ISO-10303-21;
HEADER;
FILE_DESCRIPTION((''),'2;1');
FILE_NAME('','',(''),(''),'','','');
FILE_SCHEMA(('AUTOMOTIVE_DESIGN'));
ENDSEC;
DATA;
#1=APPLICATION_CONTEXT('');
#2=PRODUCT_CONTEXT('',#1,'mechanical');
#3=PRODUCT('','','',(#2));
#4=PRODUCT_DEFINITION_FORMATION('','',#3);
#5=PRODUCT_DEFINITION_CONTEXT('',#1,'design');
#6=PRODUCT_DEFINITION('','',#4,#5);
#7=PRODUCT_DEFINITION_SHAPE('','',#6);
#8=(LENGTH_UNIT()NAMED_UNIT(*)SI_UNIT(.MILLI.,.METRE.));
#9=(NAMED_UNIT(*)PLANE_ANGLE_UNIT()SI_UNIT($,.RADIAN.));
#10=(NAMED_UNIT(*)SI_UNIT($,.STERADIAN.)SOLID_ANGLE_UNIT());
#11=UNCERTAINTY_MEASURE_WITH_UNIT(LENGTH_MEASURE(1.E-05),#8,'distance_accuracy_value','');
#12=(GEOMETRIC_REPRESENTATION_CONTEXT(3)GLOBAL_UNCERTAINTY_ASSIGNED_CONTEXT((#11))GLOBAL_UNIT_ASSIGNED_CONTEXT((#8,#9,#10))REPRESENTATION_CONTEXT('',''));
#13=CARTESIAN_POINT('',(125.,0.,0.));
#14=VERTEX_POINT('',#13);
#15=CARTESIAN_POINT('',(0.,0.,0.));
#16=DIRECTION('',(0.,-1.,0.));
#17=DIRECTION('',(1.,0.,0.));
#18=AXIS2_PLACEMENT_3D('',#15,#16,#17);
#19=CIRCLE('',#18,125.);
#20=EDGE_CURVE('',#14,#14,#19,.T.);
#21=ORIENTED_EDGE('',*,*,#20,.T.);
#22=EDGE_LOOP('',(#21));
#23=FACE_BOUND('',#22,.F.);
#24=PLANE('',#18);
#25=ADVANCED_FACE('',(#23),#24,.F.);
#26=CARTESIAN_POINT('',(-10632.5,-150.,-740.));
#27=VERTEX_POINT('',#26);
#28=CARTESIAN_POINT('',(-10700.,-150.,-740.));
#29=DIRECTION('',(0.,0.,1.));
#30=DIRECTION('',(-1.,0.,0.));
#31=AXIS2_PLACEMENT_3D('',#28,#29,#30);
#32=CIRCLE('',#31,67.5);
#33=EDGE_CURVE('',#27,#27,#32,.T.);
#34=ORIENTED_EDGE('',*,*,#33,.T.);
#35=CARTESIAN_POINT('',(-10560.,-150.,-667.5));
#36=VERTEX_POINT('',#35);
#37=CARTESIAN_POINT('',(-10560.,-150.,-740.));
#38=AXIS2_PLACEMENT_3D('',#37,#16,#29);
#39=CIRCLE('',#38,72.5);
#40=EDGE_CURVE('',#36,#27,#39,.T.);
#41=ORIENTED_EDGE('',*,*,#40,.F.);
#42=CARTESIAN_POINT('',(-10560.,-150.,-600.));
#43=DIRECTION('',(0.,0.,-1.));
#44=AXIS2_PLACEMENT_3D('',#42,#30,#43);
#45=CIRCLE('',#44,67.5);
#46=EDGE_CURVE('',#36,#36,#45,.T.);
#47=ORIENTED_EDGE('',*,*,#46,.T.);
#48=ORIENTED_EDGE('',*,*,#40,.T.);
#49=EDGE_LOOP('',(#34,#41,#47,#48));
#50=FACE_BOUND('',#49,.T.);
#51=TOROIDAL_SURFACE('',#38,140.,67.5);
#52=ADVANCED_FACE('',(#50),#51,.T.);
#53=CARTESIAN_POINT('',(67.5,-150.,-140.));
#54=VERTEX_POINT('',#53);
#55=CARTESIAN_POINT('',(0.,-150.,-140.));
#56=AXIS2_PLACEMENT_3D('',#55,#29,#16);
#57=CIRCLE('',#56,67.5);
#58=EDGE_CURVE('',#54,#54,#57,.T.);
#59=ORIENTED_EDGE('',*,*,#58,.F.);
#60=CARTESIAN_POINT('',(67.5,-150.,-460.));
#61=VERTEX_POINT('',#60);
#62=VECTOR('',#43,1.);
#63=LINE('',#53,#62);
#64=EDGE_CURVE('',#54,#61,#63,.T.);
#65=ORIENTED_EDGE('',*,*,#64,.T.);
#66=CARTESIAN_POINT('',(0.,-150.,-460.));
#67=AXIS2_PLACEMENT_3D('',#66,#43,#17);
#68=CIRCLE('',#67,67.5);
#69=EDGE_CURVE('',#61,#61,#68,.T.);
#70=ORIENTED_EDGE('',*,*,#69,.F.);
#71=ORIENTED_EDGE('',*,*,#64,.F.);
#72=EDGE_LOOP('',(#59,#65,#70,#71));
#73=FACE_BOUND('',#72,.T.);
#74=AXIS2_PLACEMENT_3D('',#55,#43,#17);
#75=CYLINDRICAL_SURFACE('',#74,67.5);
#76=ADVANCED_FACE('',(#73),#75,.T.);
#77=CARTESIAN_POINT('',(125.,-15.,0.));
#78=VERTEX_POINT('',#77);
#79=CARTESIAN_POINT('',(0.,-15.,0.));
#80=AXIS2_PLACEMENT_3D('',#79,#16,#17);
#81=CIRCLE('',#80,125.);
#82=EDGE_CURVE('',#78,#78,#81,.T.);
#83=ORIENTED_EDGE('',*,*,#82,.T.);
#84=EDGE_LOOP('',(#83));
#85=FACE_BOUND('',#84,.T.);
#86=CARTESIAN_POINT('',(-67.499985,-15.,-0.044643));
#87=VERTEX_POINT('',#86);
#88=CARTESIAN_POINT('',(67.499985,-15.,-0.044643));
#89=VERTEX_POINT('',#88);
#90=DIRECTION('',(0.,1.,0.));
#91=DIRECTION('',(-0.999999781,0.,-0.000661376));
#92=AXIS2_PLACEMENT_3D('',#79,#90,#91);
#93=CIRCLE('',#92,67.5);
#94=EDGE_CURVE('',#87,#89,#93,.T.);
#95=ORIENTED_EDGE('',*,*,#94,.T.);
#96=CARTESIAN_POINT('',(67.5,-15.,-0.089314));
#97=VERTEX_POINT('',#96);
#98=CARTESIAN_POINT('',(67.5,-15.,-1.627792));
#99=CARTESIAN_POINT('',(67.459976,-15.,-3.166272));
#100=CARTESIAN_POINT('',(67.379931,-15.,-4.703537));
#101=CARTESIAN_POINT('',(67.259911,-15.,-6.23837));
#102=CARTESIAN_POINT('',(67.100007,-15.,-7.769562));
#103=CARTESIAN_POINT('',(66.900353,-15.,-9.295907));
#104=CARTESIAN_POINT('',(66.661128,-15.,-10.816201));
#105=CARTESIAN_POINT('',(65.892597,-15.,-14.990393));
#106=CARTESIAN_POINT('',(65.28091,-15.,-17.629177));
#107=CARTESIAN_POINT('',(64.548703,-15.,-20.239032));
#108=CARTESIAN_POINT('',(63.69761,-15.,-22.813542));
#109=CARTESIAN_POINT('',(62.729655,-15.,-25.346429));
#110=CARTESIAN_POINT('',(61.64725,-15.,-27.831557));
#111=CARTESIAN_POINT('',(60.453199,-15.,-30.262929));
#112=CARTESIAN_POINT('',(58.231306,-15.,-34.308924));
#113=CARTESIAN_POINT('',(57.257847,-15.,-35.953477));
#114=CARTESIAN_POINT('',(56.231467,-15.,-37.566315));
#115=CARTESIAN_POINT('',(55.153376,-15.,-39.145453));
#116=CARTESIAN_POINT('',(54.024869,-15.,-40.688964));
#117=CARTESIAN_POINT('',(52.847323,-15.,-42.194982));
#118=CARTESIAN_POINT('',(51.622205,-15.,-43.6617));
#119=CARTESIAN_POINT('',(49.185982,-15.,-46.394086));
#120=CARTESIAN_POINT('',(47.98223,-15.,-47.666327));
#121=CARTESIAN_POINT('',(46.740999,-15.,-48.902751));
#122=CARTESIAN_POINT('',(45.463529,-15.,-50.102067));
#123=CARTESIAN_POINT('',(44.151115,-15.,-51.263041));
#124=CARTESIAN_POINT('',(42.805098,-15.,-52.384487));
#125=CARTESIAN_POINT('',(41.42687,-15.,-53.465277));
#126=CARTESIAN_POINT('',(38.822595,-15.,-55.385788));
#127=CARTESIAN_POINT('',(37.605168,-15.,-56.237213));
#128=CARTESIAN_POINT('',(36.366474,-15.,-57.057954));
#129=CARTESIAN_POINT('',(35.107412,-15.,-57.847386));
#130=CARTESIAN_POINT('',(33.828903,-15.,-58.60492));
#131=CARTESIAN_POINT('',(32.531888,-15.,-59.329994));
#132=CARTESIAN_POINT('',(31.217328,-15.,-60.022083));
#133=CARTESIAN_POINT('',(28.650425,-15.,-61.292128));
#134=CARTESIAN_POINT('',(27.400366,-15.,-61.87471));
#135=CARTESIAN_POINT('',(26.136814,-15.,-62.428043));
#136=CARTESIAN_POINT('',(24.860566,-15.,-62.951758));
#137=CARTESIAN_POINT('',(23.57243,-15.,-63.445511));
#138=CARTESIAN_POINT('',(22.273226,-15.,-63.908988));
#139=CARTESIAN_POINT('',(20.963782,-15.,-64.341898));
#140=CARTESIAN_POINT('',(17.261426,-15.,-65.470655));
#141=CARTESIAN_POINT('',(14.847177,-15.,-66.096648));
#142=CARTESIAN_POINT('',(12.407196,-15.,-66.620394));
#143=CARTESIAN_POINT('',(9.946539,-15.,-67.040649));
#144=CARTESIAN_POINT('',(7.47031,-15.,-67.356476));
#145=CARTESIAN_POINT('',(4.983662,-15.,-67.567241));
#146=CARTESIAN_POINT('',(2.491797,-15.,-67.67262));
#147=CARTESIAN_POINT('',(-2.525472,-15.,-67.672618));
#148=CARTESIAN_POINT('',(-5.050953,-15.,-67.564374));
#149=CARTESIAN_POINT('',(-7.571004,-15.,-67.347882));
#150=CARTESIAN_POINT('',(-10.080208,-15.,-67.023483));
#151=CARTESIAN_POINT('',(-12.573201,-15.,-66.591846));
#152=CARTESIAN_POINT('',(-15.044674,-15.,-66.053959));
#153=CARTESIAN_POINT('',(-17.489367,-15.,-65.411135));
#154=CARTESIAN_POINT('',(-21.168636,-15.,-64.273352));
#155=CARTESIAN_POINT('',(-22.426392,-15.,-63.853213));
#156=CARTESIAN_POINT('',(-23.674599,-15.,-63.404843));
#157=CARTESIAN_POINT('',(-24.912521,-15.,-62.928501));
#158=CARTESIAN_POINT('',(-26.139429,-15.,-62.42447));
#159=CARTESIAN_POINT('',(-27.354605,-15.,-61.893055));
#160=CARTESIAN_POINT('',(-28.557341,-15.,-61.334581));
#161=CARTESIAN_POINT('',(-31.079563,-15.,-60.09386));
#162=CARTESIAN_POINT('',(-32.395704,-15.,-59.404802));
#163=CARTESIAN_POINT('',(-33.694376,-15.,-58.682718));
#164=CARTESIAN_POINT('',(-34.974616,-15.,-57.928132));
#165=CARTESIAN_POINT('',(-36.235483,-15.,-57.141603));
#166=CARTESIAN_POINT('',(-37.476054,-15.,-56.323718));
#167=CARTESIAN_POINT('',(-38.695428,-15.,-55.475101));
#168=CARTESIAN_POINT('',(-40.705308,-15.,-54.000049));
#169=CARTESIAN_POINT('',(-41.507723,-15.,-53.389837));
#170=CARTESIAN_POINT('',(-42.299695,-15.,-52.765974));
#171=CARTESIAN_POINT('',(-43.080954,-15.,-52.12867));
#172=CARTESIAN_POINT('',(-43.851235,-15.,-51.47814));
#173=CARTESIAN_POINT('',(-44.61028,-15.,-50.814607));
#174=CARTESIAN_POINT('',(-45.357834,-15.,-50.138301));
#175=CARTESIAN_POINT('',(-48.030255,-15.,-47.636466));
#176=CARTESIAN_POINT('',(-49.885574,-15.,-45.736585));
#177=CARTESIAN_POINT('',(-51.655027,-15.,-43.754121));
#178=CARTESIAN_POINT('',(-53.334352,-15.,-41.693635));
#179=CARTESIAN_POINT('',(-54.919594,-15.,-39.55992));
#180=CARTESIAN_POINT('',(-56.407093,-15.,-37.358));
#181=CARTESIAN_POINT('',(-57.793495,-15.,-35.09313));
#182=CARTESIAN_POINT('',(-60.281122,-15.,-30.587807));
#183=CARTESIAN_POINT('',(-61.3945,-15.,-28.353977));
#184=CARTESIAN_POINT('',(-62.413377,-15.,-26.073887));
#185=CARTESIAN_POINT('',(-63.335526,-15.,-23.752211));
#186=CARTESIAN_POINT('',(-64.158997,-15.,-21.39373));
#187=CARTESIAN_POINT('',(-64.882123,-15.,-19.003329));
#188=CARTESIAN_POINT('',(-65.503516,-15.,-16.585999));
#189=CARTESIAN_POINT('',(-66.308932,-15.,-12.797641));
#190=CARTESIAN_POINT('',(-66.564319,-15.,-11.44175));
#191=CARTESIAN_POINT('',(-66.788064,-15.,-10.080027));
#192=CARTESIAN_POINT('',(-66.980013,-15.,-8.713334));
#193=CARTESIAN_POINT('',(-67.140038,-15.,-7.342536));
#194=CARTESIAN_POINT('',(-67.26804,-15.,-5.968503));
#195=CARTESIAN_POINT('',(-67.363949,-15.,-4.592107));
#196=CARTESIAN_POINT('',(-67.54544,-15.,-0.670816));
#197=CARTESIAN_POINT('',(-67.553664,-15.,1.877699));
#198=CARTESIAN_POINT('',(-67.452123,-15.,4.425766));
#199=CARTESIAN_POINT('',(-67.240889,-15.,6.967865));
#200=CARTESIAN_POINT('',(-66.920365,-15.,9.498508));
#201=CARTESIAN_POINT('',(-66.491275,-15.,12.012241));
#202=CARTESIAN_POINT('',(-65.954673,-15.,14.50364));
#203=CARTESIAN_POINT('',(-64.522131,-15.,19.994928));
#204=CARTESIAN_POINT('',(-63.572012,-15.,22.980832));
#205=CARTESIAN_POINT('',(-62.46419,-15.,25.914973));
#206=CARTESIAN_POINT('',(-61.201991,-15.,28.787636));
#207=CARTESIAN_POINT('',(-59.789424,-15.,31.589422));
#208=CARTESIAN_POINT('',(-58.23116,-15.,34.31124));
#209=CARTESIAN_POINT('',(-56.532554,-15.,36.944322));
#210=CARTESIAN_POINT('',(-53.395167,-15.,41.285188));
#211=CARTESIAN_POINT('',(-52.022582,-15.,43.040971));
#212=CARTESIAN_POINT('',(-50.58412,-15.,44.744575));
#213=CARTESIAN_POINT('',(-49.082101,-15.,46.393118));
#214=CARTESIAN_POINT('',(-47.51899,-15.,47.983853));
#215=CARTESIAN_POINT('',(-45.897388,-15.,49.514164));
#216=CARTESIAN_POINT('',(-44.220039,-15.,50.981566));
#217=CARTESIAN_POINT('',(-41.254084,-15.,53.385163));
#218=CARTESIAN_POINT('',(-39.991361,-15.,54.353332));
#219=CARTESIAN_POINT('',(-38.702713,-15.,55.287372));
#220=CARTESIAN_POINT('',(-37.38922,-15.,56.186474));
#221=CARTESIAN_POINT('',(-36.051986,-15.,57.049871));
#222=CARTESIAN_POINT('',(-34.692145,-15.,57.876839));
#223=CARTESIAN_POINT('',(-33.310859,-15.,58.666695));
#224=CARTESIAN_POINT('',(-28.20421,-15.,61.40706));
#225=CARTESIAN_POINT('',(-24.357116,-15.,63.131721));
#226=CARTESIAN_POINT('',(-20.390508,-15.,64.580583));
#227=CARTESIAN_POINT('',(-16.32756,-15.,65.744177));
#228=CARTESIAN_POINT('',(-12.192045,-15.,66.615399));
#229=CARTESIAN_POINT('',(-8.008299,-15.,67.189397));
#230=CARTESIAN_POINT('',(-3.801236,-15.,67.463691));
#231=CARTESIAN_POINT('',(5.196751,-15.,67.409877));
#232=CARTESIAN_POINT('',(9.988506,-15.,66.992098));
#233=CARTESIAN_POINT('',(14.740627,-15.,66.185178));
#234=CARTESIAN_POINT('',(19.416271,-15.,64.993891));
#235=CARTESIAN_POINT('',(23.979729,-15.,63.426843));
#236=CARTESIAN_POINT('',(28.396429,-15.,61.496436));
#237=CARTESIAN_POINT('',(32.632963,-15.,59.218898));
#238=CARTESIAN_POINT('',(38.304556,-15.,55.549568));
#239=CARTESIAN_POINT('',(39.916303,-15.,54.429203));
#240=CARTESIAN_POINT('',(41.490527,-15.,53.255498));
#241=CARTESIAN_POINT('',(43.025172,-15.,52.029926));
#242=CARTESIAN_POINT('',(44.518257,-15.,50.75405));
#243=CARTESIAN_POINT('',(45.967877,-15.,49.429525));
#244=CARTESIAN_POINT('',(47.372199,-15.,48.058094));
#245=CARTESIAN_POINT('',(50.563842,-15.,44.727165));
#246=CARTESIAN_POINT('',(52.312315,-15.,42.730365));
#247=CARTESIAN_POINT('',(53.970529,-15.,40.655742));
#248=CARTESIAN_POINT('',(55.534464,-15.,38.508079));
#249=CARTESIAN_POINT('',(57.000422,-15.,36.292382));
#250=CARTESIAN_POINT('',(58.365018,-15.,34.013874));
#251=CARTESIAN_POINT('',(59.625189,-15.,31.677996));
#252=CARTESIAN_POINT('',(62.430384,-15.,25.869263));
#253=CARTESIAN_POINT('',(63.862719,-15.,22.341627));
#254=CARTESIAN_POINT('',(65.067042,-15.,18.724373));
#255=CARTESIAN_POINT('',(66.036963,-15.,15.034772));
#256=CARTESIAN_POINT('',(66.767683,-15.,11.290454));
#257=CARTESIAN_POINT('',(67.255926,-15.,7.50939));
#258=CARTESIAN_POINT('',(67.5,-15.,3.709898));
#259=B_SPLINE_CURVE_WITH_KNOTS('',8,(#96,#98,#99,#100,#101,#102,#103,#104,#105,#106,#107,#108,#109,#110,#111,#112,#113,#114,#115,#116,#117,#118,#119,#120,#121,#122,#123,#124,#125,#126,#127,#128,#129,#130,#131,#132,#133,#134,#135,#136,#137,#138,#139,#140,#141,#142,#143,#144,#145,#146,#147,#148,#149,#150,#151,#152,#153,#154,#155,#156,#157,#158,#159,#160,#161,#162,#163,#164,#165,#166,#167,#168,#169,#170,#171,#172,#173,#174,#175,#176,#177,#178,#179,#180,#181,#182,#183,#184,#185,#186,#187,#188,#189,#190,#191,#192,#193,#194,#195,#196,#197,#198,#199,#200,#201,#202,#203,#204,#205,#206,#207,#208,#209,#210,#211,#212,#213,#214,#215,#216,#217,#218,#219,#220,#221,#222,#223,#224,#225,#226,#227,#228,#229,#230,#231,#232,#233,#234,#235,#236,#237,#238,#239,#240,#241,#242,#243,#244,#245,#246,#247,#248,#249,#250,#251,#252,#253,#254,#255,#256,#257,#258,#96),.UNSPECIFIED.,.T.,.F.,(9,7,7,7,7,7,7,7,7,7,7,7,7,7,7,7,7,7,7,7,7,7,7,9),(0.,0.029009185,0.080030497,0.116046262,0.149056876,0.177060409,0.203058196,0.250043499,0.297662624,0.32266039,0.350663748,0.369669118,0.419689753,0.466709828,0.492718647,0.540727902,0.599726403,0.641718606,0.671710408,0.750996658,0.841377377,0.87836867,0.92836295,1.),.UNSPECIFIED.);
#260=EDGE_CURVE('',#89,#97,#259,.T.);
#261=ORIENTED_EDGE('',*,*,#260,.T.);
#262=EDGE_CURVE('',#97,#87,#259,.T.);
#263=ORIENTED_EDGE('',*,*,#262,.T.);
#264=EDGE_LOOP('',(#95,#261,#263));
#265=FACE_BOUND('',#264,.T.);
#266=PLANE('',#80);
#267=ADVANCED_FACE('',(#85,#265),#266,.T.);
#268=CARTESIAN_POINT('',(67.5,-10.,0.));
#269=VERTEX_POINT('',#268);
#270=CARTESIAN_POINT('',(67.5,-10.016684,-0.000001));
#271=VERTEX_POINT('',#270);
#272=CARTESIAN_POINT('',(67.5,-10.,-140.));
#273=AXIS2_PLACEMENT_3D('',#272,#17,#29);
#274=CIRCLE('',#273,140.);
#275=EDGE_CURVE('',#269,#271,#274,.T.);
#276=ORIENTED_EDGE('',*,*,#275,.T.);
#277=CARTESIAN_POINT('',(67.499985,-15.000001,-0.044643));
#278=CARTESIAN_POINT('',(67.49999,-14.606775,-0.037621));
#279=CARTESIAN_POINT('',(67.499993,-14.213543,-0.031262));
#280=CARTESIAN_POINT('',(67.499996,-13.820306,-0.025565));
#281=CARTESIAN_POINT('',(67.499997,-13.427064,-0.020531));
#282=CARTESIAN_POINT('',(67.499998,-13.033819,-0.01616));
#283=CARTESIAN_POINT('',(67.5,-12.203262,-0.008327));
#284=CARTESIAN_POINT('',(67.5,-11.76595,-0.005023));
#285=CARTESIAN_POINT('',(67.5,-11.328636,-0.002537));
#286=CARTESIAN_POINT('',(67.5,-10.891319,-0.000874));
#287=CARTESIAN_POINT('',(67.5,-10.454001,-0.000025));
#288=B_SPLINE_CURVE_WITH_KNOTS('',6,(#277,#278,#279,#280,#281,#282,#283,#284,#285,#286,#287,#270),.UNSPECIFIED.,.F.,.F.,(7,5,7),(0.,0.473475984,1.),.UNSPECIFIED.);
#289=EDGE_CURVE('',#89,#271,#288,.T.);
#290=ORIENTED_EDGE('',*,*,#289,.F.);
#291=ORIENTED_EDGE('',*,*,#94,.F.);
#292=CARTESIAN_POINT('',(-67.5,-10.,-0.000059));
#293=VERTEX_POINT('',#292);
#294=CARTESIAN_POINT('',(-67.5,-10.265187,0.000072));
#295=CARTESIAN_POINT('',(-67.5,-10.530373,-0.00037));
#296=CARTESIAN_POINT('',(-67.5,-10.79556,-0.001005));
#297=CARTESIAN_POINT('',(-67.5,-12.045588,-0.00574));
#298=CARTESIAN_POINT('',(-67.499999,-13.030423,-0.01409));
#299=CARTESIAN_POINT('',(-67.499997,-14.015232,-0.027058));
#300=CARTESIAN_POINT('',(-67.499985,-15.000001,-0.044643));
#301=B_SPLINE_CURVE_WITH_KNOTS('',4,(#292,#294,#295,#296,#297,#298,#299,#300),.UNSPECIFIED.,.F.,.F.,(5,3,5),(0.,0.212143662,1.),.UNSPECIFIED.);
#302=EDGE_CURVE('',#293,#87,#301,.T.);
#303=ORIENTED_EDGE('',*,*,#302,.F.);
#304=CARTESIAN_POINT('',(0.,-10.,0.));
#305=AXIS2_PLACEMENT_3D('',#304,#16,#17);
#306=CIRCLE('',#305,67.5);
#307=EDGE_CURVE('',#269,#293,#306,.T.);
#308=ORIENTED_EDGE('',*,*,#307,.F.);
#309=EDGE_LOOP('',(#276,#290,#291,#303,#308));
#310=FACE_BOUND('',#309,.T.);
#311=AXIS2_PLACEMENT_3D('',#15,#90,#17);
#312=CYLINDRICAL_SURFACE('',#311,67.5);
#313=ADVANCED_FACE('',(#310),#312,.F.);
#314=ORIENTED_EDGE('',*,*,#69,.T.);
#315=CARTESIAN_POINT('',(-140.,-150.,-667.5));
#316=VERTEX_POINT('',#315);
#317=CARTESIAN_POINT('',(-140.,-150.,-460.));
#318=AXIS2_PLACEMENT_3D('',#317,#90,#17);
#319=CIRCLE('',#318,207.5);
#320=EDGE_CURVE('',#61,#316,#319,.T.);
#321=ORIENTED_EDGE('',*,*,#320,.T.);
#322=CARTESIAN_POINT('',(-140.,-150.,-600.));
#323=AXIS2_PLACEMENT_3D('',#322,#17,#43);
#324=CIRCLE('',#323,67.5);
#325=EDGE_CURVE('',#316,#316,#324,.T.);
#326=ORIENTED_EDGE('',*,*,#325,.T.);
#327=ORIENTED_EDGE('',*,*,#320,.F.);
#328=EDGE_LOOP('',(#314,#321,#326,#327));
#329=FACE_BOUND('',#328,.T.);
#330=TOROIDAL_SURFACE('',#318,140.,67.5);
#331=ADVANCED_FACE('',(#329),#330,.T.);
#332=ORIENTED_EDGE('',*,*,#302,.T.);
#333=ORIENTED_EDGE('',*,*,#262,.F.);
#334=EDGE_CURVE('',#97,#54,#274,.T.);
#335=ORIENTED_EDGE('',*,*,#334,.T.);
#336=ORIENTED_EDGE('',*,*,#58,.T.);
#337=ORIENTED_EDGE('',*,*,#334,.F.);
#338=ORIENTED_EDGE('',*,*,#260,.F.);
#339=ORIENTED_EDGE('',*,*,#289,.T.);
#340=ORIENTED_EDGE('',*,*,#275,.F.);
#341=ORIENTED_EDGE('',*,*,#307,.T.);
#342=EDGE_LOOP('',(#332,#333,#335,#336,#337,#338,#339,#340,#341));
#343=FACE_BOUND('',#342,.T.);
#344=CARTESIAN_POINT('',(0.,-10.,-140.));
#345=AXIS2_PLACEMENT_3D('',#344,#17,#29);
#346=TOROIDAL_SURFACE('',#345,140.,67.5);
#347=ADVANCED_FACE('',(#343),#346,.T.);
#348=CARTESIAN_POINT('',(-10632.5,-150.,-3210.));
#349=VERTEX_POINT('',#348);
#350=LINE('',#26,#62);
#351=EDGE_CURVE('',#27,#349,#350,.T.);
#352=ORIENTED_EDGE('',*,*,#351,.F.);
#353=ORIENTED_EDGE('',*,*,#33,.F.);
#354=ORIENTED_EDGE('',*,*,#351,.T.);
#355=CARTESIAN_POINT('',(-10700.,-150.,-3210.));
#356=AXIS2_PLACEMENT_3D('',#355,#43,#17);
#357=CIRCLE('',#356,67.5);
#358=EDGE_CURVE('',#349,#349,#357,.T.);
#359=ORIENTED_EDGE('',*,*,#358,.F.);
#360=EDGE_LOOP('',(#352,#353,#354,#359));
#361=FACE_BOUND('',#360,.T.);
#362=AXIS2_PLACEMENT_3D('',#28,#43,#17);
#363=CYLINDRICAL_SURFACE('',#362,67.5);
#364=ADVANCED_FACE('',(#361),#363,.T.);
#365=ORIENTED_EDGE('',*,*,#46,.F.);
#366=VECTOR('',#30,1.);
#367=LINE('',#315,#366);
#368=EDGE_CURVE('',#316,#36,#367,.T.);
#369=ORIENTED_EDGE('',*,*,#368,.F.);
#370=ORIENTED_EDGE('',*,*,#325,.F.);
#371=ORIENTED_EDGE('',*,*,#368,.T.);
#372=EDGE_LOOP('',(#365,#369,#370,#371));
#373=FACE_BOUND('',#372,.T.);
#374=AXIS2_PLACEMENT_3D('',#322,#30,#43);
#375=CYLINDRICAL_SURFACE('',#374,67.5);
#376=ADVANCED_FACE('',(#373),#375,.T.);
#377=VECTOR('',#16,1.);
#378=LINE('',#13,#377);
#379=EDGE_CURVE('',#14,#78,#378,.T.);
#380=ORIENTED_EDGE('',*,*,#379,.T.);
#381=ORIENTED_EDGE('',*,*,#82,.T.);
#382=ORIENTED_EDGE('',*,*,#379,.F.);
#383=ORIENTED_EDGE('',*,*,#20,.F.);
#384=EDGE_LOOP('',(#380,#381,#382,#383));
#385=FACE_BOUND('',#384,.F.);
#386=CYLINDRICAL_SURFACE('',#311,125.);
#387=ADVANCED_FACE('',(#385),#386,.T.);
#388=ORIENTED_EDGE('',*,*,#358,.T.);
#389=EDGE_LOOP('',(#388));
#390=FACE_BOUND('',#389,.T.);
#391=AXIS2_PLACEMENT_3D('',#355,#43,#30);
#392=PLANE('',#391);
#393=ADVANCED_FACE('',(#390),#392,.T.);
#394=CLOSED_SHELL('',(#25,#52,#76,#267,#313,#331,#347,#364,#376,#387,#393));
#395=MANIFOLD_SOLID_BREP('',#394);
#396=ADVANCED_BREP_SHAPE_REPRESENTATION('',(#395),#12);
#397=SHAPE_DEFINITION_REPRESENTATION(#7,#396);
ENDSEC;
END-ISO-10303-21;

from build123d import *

# Parameters (mm, degrees)
F0_R     = 67.5
F0_R_2   = 125
F5_DEPTH = 15


with BuildPart() as f4:
    # F4: sweep along a path in F1, F3
    with BuildLine(Plane.YZ) as f4_path:
        Line((0, 0), (-10, 0))
        ThreePointArc((-10, 0), (-108.9949493661, -41.0050506339), (-150, -140))
    with BuildLine(Plane.XZ.offset(150)) as f4_path_2:
        Line((0, -140), (0, -460))
        ThreePointArc((0, -460), (-41.0050506339, -558.9949493661), (-140, -600))
        Line((-140, -600), (-10560, -600))
        ThreePointArc((-10560, -600), (-10658.9949493661, -641.0050506339), (-10700, -740))
        Line((-10700, -740), (-10700, -3210))
    # F0 (on Front) → F4 (sweep)
    with BuildSketch(Plane.XZ):
        Circle(F0_R)
    sweep(path=f4_path.line + f4_path_2.line)

    # F0 (on Front) → F5 (join)
    with BuildSketch(Plane.XZ):
        Circle(F0_R_2)
        Circle(F0_R, mode=Mode.SUBTRACT)
    extrude(amount=F5_DEPTH)


solid = f4.part
